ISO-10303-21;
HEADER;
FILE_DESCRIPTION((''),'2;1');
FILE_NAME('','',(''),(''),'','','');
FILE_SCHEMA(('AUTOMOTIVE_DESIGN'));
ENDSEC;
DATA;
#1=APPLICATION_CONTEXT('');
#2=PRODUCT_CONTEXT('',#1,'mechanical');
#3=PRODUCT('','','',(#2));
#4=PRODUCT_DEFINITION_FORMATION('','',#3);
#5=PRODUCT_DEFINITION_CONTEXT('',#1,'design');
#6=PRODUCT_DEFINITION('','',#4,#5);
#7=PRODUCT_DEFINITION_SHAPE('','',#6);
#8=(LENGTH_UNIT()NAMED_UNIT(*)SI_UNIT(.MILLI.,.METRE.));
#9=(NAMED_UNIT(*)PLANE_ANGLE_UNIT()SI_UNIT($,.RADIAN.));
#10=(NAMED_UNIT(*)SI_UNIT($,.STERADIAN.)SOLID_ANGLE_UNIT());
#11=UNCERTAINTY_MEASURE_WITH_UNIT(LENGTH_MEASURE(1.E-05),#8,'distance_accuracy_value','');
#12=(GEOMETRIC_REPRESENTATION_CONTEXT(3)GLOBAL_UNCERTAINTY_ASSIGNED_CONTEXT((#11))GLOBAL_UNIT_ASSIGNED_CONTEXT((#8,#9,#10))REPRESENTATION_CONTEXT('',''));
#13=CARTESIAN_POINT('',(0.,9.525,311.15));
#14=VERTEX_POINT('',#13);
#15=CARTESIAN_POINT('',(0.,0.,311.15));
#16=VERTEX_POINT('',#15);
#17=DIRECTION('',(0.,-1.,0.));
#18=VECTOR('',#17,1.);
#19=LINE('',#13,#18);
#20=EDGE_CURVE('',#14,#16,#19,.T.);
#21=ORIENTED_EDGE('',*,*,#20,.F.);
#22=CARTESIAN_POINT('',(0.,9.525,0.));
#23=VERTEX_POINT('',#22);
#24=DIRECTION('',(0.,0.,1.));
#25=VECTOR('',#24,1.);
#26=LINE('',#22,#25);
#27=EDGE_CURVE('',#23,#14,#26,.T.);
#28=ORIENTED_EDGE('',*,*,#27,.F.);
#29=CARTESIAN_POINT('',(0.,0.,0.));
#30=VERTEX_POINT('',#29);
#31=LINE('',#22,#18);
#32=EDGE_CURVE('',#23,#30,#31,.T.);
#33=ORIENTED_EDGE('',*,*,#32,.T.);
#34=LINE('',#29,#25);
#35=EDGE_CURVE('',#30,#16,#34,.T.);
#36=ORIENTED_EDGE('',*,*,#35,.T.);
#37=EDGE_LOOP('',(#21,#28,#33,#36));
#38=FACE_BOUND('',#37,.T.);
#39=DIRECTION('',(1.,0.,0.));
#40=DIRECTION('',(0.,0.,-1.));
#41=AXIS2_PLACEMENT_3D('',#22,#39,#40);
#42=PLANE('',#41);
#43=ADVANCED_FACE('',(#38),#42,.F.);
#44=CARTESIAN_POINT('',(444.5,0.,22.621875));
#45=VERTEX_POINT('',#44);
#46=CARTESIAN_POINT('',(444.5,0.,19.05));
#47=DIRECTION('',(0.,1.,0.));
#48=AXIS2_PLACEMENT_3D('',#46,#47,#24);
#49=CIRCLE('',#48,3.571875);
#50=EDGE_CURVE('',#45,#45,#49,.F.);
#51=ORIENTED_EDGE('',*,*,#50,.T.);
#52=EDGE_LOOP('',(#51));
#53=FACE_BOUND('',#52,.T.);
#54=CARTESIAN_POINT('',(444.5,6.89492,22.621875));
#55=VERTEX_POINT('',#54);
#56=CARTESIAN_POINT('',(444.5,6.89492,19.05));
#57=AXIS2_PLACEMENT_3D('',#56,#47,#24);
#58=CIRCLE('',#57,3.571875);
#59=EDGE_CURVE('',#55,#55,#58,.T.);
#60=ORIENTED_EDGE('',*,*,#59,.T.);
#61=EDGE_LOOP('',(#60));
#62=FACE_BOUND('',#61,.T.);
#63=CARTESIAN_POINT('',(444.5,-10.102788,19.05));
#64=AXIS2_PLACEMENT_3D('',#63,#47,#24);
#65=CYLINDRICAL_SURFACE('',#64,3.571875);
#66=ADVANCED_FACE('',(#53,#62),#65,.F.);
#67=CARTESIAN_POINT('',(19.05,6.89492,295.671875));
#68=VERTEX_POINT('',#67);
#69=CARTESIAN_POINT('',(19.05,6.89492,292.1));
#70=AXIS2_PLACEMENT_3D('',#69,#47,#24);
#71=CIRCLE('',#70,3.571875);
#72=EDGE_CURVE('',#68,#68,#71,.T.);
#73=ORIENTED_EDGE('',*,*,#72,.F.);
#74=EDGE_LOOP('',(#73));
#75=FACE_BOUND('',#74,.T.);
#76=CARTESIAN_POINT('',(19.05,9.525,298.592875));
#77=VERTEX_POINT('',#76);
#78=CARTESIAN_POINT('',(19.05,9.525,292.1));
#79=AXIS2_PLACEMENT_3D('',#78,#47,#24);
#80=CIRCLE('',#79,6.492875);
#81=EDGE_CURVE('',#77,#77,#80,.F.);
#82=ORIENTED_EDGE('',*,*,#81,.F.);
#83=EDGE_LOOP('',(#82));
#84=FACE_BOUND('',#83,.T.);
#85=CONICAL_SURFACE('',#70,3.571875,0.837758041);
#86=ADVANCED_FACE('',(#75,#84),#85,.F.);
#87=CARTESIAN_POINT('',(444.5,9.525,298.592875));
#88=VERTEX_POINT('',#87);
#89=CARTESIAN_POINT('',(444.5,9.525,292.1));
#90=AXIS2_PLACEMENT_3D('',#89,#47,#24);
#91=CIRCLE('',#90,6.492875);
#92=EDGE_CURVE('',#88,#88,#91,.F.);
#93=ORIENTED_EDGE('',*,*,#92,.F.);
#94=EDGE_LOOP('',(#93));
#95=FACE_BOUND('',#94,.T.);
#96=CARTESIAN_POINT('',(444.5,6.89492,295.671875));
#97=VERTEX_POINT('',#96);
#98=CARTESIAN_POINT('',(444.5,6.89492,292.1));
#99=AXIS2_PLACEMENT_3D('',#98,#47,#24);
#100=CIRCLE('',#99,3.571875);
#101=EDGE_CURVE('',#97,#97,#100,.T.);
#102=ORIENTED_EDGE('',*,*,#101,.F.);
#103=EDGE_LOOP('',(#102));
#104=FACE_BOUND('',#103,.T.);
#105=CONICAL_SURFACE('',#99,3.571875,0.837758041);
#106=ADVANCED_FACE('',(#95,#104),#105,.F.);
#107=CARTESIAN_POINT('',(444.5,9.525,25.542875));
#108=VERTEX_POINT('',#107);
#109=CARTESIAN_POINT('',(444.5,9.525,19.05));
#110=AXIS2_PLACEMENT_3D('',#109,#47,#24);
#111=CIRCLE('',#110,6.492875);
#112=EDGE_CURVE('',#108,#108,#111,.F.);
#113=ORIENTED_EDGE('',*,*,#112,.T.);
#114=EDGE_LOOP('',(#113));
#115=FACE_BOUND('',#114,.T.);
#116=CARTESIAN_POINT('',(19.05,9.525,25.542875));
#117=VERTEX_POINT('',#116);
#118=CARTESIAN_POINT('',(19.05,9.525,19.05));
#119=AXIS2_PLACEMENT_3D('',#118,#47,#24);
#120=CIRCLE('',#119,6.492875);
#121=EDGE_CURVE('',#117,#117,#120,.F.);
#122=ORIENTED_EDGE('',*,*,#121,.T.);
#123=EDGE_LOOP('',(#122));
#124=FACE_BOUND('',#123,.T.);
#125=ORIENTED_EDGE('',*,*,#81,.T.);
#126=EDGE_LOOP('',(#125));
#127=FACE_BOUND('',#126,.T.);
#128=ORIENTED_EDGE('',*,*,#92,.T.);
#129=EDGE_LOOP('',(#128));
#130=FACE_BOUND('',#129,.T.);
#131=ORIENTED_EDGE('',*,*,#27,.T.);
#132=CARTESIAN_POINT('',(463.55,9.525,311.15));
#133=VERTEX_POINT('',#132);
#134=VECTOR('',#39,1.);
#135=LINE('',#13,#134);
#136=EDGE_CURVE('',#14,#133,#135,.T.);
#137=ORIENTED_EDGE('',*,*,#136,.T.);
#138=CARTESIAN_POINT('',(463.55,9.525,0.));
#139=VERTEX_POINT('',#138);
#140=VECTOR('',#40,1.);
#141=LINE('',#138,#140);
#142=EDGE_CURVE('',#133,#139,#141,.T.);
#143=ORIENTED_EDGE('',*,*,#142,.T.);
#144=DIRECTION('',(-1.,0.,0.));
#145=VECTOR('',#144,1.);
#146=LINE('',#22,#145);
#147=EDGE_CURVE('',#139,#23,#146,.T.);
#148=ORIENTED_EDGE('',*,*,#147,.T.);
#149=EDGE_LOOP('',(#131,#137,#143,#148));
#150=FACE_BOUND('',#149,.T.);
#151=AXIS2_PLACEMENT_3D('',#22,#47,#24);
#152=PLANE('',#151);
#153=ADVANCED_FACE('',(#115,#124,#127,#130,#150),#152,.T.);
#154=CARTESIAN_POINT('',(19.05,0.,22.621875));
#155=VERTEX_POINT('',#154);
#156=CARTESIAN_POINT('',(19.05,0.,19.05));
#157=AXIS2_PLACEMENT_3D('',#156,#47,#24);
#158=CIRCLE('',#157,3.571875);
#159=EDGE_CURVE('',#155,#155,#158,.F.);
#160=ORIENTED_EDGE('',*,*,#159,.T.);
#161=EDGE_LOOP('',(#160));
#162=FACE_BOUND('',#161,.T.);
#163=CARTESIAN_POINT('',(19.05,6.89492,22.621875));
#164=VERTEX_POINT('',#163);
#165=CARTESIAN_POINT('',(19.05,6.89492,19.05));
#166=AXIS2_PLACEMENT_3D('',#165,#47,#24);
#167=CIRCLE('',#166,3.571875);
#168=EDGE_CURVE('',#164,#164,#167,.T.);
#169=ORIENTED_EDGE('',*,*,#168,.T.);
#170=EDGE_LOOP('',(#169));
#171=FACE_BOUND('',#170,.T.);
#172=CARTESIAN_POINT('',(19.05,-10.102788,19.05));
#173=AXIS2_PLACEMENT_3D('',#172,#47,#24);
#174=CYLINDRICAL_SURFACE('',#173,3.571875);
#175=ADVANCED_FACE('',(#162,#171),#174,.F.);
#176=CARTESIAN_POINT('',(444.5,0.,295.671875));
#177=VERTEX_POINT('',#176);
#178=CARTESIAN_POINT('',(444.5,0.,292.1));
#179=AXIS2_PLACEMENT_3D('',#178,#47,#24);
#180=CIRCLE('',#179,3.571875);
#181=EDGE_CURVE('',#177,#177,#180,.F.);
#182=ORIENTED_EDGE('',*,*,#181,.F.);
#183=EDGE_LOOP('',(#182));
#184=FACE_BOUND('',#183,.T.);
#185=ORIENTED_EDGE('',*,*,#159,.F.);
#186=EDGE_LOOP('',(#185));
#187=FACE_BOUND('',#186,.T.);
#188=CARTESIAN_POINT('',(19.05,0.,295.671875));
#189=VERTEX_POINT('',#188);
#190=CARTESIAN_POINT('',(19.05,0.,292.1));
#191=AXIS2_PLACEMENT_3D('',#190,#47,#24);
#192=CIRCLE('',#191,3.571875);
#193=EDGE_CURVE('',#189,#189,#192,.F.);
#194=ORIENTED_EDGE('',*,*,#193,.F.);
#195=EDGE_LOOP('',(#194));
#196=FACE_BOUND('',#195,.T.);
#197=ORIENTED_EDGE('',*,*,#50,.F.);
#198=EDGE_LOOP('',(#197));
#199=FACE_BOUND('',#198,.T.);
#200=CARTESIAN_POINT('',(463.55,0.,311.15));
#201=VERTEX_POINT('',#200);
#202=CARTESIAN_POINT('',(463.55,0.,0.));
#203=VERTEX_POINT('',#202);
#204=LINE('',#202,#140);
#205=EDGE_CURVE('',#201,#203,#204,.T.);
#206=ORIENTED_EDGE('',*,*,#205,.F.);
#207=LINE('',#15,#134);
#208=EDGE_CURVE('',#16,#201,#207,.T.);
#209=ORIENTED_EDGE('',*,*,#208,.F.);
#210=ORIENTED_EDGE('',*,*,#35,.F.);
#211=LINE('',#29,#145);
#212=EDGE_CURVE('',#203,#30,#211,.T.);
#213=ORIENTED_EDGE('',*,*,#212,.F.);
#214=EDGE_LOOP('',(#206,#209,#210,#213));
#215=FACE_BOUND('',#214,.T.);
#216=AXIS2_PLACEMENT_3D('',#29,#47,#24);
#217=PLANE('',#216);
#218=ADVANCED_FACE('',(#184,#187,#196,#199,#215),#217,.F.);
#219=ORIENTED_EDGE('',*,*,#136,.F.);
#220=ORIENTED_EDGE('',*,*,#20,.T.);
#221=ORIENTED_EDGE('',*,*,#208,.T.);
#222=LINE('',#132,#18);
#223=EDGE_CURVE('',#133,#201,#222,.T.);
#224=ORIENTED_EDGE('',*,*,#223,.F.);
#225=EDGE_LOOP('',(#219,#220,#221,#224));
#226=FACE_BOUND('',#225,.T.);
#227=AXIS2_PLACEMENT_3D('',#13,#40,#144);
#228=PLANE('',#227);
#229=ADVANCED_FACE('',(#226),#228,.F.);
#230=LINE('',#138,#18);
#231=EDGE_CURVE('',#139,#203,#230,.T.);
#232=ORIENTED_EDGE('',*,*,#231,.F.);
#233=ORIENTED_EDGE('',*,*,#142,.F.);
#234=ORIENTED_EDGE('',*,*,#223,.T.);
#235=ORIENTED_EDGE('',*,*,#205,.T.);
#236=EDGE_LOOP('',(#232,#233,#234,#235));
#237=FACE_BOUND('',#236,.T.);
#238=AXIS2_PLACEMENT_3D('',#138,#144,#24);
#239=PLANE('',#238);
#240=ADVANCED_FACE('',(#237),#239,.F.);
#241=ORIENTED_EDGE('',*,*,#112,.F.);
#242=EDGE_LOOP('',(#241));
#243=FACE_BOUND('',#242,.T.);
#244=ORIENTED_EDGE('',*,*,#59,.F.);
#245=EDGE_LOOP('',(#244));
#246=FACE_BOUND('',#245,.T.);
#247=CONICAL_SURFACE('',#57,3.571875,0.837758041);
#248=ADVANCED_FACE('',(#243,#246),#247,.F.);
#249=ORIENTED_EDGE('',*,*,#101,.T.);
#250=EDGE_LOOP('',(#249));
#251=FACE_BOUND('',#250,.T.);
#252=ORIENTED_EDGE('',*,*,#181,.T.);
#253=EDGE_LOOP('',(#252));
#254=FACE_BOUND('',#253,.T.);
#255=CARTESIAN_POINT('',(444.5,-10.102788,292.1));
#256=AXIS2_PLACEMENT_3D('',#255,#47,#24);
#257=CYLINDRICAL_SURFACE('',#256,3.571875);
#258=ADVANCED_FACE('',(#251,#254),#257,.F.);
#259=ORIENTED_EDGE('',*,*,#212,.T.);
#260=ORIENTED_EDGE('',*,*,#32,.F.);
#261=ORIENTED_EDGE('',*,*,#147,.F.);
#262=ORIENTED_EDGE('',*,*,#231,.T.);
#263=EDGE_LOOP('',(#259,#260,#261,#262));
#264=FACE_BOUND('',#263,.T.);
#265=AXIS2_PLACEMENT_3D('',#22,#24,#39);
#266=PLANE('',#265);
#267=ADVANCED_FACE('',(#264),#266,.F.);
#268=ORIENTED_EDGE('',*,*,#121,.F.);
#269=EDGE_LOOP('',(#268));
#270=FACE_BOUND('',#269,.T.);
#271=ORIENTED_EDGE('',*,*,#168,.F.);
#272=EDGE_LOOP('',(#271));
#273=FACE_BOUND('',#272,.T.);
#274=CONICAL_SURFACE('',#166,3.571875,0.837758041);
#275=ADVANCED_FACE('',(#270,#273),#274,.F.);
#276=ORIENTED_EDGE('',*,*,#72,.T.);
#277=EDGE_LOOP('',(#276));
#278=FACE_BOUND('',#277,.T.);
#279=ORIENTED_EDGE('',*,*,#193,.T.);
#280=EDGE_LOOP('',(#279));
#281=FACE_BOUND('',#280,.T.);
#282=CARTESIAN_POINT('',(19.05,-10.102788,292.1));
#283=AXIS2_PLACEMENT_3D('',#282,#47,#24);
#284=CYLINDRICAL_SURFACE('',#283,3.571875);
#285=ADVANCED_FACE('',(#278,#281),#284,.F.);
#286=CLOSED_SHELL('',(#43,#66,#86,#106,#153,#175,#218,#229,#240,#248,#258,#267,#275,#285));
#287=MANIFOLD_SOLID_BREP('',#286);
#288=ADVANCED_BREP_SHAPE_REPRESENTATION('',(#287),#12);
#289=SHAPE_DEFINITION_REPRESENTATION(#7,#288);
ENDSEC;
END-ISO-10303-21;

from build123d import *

# Parameters (mm, degrees)
SKETCH1_W           = 463.55
SKETCH1_H           = 311.15
BOSS_EXTRUDE1_DEPTH = 9.525
SKETCH2_R           = 3.571875
CUT_EXTRUDE1_DEPTH  = 9.525
CHAMFER1_SIZE       = 2.921
CHAMFER1_SIZE2      = 2.630080213


with BuildPart() as part:
    # Sketch1 → Boss-Extrude1 (new body)
    with BuildSketch(Plane(origin=(0, 0, 0), x_dir=(1, 0, 0), z_dir=(0, 1, 0))):
        with Locations((231.775, -155.575)):
            Rectangle(SKETCH1_W, SKETCH1_H)
    extrude(amount=BOSS_EXTRUDE1_DEPTH)

    # Sketch2 → Cut-Extrude1 (cut)
    with BuildSketch(Plane(origin=(0, 9.525, 0), x_dir=(1, 0, 0), z_dir=(0, 1, 0))):
        with Locations((444.5, -19.05)):
            Circle(SKETCH2_R)
        with Locations((19.05, -19.05)):
            Circle(SKETCH2_R)
        with Locations((444.5, -292.1)):
            Circle(SKETCH2_R)
        with Locations((19.05, -292.1)):
            Circle(SKETCH2_R)
    extrude(amount=-CUT_EXTRUDE1_DEPTH, mode=Mode.SUBTRACT)

    # Chamfer1
    chamfer1_edges = [part.edges().sort_by_distance(p)[0] for p in [
        (440.928125, 9.525, 19.05),
        (15.478125, 9.525, 19.05),
        (440.928125, 9.525, 292.1),
        (15.478125, 9.525, 292.1),
    ]]
    chamfer1_side = [part.faces().sort_by_distance(p)[0] for p in [
        (231.775, 9.525, 155.575),
    ]]
    chamfer(chamfer1_edges, length=CHAMFER1_SIZE, length2=CHAMFER1_SIZE2, reference=chamfer1_side[0])


solid = part.part
